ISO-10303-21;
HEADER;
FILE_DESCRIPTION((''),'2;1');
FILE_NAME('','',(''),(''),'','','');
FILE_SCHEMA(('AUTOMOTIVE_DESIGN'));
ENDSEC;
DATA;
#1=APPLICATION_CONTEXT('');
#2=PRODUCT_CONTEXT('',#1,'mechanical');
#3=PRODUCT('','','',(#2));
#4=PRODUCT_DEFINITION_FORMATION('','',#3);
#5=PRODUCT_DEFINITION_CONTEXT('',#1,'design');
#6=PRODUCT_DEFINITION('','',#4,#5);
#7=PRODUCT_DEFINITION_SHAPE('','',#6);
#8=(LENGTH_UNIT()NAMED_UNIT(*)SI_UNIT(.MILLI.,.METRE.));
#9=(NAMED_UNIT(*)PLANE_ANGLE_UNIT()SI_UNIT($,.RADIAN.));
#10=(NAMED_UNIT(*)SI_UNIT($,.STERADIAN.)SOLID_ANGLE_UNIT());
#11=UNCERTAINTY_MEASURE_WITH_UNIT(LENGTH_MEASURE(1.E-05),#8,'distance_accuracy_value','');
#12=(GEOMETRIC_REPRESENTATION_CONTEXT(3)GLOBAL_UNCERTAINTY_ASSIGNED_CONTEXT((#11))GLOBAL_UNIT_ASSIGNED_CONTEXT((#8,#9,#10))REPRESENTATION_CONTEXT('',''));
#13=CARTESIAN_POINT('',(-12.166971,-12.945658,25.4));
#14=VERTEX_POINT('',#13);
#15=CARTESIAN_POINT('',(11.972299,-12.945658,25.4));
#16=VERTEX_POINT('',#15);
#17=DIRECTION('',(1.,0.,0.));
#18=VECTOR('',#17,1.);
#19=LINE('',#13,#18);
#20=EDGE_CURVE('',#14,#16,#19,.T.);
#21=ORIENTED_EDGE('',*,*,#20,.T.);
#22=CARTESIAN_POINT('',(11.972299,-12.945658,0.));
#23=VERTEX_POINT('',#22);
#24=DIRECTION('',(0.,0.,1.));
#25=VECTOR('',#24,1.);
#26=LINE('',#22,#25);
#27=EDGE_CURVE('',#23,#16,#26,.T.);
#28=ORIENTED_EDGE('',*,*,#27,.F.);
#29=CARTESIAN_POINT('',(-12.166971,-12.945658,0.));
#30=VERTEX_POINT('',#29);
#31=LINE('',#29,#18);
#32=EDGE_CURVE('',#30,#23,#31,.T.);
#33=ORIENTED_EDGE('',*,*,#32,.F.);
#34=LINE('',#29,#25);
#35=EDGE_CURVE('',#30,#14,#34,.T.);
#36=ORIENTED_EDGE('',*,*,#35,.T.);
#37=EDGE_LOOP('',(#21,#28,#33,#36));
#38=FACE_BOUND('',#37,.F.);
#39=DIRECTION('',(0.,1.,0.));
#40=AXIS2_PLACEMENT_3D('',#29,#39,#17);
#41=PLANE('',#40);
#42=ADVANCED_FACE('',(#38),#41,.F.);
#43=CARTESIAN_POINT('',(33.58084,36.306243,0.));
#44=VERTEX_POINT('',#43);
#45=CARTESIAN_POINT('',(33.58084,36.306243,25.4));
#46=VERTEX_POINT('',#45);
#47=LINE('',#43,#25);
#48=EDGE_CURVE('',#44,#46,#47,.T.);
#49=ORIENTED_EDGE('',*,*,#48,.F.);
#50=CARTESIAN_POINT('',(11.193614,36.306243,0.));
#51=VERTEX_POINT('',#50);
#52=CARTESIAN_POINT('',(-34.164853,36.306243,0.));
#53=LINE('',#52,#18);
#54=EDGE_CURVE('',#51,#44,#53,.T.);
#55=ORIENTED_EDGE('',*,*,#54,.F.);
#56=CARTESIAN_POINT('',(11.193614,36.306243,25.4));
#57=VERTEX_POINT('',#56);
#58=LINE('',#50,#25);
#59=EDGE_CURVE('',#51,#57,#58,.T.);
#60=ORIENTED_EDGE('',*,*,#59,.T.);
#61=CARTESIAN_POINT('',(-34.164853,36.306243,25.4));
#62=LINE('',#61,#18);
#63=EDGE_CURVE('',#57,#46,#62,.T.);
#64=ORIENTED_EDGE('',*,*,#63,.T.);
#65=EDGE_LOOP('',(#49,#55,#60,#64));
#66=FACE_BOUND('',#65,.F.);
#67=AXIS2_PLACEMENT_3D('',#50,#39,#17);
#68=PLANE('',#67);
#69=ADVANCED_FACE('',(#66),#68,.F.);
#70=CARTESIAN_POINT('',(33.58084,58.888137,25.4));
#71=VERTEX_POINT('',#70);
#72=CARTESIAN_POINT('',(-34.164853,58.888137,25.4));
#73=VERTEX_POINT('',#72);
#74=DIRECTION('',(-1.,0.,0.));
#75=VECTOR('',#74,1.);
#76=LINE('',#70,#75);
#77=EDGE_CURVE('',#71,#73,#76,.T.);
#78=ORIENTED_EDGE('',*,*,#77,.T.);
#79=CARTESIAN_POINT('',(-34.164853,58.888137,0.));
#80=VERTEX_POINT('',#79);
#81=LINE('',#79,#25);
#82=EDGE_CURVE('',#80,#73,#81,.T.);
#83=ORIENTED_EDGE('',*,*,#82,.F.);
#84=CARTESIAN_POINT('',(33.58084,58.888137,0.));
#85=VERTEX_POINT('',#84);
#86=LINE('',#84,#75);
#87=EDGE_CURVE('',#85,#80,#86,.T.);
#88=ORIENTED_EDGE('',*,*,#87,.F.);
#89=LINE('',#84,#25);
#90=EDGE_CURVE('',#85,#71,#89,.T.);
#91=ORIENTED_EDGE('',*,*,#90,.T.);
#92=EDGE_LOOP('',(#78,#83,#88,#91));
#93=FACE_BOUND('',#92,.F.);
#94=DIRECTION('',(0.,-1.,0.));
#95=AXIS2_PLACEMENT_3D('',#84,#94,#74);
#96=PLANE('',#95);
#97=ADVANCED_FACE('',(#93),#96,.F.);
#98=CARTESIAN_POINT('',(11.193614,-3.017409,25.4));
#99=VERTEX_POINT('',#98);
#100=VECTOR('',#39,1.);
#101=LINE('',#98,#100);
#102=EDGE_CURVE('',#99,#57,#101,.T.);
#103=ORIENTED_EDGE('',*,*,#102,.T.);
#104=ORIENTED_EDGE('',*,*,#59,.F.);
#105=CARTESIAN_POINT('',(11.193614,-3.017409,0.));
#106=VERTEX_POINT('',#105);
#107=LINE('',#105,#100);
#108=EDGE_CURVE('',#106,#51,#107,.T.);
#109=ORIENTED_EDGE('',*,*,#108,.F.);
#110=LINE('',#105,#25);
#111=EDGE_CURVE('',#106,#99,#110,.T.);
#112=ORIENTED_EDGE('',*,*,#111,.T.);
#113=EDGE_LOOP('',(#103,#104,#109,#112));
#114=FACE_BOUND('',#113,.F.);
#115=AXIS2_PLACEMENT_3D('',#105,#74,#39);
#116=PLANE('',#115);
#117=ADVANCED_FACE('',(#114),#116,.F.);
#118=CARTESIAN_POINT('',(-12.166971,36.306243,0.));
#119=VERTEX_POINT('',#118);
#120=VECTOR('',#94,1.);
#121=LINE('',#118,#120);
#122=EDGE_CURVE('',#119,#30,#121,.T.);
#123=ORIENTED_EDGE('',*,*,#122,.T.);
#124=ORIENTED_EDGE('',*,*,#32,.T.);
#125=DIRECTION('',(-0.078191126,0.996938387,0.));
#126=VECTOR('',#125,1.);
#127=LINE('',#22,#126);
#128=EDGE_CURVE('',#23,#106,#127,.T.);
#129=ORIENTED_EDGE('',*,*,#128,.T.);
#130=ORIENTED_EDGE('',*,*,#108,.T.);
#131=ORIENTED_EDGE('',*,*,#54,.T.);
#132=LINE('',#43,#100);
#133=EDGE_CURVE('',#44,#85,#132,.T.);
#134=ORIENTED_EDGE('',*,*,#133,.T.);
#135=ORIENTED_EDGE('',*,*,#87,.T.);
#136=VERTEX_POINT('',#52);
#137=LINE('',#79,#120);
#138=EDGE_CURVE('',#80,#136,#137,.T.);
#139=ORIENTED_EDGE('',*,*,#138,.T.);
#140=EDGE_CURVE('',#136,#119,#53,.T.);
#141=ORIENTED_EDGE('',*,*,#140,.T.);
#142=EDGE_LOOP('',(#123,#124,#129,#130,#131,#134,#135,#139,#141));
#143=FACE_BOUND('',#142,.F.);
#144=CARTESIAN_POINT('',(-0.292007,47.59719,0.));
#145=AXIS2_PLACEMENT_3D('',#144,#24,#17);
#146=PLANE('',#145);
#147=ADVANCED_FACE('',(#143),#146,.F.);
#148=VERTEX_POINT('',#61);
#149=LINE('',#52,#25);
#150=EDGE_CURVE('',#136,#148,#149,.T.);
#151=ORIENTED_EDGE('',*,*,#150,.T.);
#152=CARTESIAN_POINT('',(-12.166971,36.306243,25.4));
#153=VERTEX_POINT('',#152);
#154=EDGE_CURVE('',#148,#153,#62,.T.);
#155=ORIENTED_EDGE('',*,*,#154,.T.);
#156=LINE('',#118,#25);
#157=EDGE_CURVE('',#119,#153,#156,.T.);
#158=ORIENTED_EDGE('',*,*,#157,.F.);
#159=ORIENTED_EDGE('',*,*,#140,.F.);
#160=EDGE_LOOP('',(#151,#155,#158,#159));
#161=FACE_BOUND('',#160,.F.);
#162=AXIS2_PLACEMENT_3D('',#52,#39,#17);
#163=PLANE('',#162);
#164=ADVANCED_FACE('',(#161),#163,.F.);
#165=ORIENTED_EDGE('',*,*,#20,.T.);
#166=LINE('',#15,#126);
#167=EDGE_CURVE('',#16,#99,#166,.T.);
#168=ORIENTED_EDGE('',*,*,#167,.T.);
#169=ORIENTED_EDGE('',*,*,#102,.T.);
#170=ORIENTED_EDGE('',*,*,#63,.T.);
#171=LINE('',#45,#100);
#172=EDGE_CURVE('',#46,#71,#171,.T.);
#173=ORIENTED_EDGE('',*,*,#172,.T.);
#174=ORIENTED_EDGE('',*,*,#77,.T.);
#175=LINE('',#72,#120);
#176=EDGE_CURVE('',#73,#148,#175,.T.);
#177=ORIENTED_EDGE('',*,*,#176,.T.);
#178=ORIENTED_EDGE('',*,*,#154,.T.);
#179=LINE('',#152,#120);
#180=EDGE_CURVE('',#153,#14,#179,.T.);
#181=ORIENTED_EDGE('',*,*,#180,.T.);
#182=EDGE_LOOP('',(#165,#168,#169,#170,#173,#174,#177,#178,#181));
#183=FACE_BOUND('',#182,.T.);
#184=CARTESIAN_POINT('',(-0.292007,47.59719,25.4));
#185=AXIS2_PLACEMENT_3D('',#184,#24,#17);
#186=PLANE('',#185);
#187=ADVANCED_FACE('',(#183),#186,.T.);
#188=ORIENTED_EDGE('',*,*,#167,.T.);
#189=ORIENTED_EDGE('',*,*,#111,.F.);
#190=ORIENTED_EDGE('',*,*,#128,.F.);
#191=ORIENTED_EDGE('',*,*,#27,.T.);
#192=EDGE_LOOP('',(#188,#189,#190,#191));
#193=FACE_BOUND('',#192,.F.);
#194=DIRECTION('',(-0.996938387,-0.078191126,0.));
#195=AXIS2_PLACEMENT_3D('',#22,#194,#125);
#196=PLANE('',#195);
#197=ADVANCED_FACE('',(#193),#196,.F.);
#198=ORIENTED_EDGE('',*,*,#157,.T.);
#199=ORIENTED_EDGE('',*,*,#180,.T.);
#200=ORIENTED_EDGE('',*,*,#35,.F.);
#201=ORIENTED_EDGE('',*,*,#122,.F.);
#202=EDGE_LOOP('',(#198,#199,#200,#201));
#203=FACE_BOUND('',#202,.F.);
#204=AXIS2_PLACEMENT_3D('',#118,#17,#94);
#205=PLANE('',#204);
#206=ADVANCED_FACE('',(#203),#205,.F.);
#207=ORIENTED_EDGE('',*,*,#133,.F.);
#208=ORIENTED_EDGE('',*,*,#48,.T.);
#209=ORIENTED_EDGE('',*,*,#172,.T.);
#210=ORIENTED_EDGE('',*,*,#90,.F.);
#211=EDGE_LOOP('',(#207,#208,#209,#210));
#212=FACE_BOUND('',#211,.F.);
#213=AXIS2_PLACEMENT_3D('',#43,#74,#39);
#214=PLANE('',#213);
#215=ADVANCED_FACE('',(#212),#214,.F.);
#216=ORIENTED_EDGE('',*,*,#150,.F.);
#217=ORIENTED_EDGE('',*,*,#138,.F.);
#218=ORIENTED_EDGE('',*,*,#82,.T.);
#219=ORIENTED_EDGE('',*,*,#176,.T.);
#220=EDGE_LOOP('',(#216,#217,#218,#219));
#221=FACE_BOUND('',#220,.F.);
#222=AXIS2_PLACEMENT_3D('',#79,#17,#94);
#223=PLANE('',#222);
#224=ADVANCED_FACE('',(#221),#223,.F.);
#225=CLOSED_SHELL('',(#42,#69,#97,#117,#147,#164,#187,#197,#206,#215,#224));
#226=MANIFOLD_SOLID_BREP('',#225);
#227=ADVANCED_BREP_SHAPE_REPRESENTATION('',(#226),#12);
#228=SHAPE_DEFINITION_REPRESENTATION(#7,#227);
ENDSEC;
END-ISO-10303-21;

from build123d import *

# Parameters (mm, degrees)
F1_DEPTH = 25.4


with BuildPart() as f1:
    # F0 (on Top) → F1 (new body)
    with BuildSketch(Plane.XY):
        Polygon((33.58084, 58.888137), (-34.164853, 58.888137), (-34.164853, 36.306243), (-12.166971, 36.306243), (11.193614, 36.306243), (33.58084, 36.306243), align=None)
        Polygon((11.193614, 36.306243), (-12.166971, 36.306243), (-12.166971, -12.945658), (11.972299, -12.945658), (11.193614, -3.017409), align=None)
    extrude(amount=F1_DEPTH)


solid = f1.part
